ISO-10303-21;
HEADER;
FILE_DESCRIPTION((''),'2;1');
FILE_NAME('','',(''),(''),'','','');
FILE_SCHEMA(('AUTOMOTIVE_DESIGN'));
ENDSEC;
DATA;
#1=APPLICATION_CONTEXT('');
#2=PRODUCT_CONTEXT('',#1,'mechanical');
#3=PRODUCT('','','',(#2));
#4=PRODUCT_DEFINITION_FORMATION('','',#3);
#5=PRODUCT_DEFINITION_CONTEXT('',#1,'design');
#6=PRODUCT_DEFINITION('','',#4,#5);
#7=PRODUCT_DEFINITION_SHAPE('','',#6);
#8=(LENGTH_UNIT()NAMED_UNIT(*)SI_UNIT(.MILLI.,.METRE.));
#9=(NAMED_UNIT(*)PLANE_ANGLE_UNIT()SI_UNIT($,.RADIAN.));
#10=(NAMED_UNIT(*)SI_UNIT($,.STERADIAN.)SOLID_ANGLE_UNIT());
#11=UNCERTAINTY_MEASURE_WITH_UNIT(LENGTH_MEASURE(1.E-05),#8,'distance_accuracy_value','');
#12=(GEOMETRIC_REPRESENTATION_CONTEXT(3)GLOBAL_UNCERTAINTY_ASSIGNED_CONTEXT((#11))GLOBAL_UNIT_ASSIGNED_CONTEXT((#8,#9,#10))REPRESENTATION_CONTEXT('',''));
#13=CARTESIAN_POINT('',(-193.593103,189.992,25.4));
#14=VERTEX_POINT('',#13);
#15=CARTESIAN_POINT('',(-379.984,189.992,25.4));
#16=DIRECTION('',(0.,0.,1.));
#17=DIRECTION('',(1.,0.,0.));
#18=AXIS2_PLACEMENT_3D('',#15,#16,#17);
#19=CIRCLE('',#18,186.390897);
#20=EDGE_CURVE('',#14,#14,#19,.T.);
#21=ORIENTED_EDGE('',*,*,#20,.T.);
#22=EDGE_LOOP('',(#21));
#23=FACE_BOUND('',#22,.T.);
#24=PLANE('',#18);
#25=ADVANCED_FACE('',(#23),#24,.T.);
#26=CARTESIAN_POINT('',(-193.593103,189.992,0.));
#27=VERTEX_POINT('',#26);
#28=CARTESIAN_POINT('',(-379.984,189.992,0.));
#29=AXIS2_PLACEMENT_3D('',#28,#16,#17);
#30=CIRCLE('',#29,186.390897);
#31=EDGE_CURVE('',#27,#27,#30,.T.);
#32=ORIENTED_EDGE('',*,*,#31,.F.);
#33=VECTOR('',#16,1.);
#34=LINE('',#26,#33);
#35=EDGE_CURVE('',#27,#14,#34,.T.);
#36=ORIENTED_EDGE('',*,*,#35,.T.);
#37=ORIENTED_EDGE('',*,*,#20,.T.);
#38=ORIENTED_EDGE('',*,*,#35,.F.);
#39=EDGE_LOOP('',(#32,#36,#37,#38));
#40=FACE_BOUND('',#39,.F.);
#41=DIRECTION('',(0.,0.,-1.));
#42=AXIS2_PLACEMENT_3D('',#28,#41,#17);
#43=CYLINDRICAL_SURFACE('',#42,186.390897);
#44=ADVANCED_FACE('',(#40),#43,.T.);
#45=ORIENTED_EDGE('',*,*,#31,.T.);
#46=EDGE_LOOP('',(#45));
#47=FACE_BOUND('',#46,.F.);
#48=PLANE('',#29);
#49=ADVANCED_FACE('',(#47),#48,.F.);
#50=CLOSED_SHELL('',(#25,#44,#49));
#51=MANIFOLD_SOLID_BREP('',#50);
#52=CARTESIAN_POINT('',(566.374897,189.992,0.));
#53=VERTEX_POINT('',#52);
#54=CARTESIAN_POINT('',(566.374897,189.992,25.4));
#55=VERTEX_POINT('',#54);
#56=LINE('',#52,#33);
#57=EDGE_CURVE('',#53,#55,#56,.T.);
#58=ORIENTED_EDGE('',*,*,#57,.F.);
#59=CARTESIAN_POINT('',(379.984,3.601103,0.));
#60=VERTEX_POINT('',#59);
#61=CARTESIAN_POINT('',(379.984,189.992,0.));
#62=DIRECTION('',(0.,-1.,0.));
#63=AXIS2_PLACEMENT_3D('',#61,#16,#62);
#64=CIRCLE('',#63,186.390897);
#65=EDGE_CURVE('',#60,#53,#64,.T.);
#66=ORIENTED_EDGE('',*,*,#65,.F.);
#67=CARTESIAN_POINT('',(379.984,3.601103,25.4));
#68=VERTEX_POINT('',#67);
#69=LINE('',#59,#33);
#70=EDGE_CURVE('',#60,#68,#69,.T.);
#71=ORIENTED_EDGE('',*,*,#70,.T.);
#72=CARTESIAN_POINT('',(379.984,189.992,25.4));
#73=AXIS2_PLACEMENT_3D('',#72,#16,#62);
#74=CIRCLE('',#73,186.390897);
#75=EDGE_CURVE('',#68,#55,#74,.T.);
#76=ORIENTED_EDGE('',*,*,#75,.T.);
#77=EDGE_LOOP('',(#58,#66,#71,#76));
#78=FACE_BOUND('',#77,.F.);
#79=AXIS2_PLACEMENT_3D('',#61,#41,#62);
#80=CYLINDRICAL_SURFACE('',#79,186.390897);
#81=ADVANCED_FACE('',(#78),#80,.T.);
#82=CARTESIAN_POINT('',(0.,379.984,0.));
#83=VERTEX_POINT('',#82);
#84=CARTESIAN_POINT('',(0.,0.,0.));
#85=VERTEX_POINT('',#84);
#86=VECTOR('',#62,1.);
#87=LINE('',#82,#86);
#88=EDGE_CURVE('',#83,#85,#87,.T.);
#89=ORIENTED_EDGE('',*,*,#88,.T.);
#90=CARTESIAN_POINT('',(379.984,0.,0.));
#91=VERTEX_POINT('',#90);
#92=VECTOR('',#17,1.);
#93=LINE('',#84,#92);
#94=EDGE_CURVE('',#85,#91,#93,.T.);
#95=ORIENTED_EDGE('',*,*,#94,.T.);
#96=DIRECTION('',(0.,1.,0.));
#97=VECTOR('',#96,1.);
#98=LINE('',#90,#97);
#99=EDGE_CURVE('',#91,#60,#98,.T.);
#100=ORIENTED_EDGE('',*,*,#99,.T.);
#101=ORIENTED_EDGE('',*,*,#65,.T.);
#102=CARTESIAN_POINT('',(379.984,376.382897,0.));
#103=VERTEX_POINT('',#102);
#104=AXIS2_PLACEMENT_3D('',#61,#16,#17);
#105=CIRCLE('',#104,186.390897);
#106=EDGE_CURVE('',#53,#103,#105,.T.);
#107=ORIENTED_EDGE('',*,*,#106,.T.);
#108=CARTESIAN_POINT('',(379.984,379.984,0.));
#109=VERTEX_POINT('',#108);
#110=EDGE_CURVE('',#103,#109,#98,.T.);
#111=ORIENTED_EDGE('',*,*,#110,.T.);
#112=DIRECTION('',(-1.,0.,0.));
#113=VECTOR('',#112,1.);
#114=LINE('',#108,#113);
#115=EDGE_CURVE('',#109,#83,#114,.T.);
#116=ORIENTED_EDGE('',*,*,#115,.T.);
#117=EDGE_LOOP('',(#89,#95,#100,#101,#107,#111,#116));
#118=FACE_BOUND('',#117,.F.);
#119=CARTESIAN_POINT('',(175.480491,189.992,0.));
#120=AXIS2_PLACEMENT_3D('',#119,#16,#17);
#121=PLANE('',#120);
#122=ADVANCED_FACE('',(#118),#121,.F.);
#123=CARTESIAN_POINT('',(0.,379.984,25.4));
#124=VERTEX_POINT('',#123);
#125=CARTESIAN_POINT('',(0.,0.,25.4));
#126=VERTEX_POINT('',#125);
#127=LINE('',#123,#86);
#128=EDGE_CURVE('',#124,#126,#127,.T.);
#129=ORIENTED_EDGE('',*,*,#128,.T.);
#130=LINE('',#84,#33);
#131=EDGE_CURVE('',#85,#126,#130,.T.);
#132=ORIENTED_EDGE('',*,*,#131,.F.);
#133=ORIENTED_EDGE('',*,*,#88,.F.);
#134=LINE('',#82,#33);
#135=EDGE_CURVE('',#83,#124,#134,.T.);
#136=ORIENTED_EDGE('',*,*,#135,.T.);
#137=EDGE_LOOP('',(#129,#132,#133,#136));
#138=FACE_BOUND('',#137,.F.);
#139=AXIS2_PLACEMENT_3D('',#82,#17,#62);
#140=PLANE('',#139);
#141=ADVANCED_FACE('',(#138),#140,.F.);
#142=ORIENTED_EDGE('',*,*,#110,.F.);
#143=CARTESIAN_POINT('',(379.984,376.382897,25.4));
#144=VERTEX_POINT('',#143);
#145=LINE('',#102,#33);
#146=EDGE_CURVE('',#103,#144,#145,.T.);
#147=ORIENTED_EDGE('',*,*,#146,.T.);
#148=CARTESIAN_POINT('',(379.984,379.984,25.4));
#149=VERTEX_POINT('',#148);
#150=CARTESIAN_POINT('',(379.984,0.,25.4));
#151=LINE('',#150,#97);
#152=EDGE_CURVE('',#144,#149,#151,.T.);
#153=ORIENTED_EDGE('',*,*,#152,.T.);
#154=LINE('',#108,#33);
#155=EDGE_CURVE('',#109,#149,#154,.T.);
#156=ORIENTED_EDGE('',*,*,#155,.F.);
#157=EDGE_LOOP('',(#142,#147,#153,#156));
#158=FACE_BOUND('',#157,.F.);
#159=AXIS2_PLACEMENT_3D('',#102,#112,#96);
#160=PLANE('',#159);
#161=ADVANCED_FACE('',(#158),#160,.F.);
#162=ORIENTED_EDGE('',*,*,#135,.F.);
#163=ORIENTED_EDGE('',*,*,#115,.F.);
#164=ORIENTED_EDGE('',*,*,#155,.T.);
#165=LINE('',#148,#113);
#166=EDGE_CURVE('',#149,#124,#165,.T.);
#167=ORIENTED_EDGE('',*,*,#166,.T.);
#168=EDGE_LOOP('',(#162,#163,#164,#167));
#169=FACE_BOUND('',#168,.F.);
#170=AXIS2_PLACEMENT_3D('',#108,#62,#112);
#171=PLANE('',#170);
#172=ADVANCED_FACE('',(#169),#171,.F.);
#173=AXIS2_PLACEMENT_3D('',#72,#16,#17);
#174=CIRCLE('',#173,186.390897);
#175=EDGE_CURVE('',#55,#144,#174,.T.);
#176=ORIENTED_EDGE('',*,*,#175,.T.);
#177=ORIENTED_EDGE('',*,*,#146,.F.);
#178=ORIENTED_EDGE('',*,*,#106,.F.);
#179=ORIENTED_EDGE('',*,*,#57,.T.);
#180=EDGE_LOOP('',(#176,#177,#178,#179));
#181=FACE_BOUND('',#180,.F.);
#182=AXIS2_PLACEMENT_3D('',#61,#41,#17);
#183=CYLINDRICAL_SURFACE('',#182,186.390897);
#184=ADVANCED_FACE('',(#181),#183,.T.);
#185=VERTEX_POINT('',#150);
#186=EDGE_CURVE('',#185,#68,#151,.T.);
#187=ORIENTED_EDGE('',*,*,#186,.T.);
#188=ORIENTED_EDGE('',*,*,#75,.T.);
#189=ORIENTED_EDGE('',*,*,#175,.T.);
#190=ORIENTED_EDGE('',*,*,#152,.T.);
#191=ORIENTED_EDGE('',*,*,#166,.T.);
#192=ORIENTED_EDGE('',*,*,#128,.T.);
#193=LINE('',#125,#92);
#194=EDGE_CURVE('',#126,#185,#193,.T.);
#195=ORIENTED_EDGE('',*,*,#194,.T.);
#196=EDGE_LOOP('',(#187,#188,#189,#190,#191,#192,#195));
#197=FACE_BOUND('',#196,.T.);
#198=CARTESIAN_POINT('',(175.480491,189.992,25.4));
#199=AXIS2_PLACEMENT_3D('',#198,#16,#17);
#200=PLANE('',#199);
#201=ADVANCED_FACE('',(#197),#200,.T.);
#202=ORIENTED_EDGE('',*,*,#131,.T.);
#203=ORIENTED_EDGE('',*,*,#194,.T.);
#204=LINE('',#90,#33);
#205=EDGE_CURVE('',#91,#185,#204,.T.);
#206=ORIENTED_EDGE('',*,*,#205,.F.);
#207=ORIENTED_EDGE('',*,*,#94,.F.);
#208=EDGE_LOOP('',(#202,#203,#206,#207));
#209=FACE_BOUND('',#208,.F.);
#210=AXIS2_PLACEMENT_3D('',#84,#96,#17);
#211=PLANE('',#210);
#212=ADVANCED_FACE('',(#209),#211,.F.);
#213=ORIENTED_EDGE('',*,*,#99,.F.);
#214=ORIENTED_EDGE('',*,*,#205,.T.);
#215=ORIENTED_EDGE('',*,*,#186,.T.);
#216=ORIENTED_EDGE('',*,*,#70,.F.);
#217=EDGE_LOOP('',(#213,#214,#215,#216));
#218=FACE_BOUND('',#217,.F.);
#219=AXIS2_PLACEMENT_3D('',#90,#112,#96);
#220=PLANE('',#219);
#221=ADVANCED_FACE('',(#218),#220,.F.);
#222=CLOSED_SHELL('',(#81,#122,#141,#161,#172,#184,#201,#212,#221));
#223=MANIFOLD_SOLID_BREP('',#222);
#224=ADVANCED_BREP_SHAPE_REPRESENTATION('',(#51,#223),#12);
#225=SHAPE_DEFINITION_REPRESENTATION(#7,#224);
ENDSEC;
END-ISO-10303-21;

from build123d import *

# Parameters (mm, degrees)
F1_DEPTH = 25.4
F0_R     = 186.3908965445


with BuildPart() as f1:
    # F0 (on Top) → F1 (new body)
    with BuildSketch(Plane.XY):
        with BuildLine():
            Line((0, 379.984), (0, 0))
            Line((0, 0), (379.984, 0))
            Line((379.984, 0), (379.984, 3.6011034555))
            ThreePointArc((379.984, 3.6011034555), (193.5931034555, 189.992), (379.984, 376.3828965445))
            Line((379.984, 376.3828965445), (379.984, 379.984))
            Line((379.984, 379.984), (0, 379.984))
        make_face()
        with BuildLine():
            ThreePointArc((379.984, 376.3828965445), (193.5931034555, 189.992), (379.984, 3.6011034555))
            Line((379.984, 3.6011034555), (379.984, 376.3828965445))
        make_face()
        with BuildLine():
            Line((379.984, 376.3828965445), (379.984, 3.6011034555))
            ThreePointArc((379.984, 3.6011034555), (511.782266898, 58.193733102), (566.3748965445, 189.992))
            ThreePointArc((566.3748965445, 189.992), (511.782266898, 321.790266898), (379.984, 376.3828965445))
        make_face()
    extrude(amount=F1_DEPTH)


with BuildPart() as f1b:
    # F0 (on Top) → F1, piece 2 (new body)
    with BuildSketch(Plane.XY):
        with Locations((-379.984, 189.992)):
            Circle(F0_R)
    extrude(amount=F1_DEPTH)


solid = Compound([f1.part, f1b.part])
